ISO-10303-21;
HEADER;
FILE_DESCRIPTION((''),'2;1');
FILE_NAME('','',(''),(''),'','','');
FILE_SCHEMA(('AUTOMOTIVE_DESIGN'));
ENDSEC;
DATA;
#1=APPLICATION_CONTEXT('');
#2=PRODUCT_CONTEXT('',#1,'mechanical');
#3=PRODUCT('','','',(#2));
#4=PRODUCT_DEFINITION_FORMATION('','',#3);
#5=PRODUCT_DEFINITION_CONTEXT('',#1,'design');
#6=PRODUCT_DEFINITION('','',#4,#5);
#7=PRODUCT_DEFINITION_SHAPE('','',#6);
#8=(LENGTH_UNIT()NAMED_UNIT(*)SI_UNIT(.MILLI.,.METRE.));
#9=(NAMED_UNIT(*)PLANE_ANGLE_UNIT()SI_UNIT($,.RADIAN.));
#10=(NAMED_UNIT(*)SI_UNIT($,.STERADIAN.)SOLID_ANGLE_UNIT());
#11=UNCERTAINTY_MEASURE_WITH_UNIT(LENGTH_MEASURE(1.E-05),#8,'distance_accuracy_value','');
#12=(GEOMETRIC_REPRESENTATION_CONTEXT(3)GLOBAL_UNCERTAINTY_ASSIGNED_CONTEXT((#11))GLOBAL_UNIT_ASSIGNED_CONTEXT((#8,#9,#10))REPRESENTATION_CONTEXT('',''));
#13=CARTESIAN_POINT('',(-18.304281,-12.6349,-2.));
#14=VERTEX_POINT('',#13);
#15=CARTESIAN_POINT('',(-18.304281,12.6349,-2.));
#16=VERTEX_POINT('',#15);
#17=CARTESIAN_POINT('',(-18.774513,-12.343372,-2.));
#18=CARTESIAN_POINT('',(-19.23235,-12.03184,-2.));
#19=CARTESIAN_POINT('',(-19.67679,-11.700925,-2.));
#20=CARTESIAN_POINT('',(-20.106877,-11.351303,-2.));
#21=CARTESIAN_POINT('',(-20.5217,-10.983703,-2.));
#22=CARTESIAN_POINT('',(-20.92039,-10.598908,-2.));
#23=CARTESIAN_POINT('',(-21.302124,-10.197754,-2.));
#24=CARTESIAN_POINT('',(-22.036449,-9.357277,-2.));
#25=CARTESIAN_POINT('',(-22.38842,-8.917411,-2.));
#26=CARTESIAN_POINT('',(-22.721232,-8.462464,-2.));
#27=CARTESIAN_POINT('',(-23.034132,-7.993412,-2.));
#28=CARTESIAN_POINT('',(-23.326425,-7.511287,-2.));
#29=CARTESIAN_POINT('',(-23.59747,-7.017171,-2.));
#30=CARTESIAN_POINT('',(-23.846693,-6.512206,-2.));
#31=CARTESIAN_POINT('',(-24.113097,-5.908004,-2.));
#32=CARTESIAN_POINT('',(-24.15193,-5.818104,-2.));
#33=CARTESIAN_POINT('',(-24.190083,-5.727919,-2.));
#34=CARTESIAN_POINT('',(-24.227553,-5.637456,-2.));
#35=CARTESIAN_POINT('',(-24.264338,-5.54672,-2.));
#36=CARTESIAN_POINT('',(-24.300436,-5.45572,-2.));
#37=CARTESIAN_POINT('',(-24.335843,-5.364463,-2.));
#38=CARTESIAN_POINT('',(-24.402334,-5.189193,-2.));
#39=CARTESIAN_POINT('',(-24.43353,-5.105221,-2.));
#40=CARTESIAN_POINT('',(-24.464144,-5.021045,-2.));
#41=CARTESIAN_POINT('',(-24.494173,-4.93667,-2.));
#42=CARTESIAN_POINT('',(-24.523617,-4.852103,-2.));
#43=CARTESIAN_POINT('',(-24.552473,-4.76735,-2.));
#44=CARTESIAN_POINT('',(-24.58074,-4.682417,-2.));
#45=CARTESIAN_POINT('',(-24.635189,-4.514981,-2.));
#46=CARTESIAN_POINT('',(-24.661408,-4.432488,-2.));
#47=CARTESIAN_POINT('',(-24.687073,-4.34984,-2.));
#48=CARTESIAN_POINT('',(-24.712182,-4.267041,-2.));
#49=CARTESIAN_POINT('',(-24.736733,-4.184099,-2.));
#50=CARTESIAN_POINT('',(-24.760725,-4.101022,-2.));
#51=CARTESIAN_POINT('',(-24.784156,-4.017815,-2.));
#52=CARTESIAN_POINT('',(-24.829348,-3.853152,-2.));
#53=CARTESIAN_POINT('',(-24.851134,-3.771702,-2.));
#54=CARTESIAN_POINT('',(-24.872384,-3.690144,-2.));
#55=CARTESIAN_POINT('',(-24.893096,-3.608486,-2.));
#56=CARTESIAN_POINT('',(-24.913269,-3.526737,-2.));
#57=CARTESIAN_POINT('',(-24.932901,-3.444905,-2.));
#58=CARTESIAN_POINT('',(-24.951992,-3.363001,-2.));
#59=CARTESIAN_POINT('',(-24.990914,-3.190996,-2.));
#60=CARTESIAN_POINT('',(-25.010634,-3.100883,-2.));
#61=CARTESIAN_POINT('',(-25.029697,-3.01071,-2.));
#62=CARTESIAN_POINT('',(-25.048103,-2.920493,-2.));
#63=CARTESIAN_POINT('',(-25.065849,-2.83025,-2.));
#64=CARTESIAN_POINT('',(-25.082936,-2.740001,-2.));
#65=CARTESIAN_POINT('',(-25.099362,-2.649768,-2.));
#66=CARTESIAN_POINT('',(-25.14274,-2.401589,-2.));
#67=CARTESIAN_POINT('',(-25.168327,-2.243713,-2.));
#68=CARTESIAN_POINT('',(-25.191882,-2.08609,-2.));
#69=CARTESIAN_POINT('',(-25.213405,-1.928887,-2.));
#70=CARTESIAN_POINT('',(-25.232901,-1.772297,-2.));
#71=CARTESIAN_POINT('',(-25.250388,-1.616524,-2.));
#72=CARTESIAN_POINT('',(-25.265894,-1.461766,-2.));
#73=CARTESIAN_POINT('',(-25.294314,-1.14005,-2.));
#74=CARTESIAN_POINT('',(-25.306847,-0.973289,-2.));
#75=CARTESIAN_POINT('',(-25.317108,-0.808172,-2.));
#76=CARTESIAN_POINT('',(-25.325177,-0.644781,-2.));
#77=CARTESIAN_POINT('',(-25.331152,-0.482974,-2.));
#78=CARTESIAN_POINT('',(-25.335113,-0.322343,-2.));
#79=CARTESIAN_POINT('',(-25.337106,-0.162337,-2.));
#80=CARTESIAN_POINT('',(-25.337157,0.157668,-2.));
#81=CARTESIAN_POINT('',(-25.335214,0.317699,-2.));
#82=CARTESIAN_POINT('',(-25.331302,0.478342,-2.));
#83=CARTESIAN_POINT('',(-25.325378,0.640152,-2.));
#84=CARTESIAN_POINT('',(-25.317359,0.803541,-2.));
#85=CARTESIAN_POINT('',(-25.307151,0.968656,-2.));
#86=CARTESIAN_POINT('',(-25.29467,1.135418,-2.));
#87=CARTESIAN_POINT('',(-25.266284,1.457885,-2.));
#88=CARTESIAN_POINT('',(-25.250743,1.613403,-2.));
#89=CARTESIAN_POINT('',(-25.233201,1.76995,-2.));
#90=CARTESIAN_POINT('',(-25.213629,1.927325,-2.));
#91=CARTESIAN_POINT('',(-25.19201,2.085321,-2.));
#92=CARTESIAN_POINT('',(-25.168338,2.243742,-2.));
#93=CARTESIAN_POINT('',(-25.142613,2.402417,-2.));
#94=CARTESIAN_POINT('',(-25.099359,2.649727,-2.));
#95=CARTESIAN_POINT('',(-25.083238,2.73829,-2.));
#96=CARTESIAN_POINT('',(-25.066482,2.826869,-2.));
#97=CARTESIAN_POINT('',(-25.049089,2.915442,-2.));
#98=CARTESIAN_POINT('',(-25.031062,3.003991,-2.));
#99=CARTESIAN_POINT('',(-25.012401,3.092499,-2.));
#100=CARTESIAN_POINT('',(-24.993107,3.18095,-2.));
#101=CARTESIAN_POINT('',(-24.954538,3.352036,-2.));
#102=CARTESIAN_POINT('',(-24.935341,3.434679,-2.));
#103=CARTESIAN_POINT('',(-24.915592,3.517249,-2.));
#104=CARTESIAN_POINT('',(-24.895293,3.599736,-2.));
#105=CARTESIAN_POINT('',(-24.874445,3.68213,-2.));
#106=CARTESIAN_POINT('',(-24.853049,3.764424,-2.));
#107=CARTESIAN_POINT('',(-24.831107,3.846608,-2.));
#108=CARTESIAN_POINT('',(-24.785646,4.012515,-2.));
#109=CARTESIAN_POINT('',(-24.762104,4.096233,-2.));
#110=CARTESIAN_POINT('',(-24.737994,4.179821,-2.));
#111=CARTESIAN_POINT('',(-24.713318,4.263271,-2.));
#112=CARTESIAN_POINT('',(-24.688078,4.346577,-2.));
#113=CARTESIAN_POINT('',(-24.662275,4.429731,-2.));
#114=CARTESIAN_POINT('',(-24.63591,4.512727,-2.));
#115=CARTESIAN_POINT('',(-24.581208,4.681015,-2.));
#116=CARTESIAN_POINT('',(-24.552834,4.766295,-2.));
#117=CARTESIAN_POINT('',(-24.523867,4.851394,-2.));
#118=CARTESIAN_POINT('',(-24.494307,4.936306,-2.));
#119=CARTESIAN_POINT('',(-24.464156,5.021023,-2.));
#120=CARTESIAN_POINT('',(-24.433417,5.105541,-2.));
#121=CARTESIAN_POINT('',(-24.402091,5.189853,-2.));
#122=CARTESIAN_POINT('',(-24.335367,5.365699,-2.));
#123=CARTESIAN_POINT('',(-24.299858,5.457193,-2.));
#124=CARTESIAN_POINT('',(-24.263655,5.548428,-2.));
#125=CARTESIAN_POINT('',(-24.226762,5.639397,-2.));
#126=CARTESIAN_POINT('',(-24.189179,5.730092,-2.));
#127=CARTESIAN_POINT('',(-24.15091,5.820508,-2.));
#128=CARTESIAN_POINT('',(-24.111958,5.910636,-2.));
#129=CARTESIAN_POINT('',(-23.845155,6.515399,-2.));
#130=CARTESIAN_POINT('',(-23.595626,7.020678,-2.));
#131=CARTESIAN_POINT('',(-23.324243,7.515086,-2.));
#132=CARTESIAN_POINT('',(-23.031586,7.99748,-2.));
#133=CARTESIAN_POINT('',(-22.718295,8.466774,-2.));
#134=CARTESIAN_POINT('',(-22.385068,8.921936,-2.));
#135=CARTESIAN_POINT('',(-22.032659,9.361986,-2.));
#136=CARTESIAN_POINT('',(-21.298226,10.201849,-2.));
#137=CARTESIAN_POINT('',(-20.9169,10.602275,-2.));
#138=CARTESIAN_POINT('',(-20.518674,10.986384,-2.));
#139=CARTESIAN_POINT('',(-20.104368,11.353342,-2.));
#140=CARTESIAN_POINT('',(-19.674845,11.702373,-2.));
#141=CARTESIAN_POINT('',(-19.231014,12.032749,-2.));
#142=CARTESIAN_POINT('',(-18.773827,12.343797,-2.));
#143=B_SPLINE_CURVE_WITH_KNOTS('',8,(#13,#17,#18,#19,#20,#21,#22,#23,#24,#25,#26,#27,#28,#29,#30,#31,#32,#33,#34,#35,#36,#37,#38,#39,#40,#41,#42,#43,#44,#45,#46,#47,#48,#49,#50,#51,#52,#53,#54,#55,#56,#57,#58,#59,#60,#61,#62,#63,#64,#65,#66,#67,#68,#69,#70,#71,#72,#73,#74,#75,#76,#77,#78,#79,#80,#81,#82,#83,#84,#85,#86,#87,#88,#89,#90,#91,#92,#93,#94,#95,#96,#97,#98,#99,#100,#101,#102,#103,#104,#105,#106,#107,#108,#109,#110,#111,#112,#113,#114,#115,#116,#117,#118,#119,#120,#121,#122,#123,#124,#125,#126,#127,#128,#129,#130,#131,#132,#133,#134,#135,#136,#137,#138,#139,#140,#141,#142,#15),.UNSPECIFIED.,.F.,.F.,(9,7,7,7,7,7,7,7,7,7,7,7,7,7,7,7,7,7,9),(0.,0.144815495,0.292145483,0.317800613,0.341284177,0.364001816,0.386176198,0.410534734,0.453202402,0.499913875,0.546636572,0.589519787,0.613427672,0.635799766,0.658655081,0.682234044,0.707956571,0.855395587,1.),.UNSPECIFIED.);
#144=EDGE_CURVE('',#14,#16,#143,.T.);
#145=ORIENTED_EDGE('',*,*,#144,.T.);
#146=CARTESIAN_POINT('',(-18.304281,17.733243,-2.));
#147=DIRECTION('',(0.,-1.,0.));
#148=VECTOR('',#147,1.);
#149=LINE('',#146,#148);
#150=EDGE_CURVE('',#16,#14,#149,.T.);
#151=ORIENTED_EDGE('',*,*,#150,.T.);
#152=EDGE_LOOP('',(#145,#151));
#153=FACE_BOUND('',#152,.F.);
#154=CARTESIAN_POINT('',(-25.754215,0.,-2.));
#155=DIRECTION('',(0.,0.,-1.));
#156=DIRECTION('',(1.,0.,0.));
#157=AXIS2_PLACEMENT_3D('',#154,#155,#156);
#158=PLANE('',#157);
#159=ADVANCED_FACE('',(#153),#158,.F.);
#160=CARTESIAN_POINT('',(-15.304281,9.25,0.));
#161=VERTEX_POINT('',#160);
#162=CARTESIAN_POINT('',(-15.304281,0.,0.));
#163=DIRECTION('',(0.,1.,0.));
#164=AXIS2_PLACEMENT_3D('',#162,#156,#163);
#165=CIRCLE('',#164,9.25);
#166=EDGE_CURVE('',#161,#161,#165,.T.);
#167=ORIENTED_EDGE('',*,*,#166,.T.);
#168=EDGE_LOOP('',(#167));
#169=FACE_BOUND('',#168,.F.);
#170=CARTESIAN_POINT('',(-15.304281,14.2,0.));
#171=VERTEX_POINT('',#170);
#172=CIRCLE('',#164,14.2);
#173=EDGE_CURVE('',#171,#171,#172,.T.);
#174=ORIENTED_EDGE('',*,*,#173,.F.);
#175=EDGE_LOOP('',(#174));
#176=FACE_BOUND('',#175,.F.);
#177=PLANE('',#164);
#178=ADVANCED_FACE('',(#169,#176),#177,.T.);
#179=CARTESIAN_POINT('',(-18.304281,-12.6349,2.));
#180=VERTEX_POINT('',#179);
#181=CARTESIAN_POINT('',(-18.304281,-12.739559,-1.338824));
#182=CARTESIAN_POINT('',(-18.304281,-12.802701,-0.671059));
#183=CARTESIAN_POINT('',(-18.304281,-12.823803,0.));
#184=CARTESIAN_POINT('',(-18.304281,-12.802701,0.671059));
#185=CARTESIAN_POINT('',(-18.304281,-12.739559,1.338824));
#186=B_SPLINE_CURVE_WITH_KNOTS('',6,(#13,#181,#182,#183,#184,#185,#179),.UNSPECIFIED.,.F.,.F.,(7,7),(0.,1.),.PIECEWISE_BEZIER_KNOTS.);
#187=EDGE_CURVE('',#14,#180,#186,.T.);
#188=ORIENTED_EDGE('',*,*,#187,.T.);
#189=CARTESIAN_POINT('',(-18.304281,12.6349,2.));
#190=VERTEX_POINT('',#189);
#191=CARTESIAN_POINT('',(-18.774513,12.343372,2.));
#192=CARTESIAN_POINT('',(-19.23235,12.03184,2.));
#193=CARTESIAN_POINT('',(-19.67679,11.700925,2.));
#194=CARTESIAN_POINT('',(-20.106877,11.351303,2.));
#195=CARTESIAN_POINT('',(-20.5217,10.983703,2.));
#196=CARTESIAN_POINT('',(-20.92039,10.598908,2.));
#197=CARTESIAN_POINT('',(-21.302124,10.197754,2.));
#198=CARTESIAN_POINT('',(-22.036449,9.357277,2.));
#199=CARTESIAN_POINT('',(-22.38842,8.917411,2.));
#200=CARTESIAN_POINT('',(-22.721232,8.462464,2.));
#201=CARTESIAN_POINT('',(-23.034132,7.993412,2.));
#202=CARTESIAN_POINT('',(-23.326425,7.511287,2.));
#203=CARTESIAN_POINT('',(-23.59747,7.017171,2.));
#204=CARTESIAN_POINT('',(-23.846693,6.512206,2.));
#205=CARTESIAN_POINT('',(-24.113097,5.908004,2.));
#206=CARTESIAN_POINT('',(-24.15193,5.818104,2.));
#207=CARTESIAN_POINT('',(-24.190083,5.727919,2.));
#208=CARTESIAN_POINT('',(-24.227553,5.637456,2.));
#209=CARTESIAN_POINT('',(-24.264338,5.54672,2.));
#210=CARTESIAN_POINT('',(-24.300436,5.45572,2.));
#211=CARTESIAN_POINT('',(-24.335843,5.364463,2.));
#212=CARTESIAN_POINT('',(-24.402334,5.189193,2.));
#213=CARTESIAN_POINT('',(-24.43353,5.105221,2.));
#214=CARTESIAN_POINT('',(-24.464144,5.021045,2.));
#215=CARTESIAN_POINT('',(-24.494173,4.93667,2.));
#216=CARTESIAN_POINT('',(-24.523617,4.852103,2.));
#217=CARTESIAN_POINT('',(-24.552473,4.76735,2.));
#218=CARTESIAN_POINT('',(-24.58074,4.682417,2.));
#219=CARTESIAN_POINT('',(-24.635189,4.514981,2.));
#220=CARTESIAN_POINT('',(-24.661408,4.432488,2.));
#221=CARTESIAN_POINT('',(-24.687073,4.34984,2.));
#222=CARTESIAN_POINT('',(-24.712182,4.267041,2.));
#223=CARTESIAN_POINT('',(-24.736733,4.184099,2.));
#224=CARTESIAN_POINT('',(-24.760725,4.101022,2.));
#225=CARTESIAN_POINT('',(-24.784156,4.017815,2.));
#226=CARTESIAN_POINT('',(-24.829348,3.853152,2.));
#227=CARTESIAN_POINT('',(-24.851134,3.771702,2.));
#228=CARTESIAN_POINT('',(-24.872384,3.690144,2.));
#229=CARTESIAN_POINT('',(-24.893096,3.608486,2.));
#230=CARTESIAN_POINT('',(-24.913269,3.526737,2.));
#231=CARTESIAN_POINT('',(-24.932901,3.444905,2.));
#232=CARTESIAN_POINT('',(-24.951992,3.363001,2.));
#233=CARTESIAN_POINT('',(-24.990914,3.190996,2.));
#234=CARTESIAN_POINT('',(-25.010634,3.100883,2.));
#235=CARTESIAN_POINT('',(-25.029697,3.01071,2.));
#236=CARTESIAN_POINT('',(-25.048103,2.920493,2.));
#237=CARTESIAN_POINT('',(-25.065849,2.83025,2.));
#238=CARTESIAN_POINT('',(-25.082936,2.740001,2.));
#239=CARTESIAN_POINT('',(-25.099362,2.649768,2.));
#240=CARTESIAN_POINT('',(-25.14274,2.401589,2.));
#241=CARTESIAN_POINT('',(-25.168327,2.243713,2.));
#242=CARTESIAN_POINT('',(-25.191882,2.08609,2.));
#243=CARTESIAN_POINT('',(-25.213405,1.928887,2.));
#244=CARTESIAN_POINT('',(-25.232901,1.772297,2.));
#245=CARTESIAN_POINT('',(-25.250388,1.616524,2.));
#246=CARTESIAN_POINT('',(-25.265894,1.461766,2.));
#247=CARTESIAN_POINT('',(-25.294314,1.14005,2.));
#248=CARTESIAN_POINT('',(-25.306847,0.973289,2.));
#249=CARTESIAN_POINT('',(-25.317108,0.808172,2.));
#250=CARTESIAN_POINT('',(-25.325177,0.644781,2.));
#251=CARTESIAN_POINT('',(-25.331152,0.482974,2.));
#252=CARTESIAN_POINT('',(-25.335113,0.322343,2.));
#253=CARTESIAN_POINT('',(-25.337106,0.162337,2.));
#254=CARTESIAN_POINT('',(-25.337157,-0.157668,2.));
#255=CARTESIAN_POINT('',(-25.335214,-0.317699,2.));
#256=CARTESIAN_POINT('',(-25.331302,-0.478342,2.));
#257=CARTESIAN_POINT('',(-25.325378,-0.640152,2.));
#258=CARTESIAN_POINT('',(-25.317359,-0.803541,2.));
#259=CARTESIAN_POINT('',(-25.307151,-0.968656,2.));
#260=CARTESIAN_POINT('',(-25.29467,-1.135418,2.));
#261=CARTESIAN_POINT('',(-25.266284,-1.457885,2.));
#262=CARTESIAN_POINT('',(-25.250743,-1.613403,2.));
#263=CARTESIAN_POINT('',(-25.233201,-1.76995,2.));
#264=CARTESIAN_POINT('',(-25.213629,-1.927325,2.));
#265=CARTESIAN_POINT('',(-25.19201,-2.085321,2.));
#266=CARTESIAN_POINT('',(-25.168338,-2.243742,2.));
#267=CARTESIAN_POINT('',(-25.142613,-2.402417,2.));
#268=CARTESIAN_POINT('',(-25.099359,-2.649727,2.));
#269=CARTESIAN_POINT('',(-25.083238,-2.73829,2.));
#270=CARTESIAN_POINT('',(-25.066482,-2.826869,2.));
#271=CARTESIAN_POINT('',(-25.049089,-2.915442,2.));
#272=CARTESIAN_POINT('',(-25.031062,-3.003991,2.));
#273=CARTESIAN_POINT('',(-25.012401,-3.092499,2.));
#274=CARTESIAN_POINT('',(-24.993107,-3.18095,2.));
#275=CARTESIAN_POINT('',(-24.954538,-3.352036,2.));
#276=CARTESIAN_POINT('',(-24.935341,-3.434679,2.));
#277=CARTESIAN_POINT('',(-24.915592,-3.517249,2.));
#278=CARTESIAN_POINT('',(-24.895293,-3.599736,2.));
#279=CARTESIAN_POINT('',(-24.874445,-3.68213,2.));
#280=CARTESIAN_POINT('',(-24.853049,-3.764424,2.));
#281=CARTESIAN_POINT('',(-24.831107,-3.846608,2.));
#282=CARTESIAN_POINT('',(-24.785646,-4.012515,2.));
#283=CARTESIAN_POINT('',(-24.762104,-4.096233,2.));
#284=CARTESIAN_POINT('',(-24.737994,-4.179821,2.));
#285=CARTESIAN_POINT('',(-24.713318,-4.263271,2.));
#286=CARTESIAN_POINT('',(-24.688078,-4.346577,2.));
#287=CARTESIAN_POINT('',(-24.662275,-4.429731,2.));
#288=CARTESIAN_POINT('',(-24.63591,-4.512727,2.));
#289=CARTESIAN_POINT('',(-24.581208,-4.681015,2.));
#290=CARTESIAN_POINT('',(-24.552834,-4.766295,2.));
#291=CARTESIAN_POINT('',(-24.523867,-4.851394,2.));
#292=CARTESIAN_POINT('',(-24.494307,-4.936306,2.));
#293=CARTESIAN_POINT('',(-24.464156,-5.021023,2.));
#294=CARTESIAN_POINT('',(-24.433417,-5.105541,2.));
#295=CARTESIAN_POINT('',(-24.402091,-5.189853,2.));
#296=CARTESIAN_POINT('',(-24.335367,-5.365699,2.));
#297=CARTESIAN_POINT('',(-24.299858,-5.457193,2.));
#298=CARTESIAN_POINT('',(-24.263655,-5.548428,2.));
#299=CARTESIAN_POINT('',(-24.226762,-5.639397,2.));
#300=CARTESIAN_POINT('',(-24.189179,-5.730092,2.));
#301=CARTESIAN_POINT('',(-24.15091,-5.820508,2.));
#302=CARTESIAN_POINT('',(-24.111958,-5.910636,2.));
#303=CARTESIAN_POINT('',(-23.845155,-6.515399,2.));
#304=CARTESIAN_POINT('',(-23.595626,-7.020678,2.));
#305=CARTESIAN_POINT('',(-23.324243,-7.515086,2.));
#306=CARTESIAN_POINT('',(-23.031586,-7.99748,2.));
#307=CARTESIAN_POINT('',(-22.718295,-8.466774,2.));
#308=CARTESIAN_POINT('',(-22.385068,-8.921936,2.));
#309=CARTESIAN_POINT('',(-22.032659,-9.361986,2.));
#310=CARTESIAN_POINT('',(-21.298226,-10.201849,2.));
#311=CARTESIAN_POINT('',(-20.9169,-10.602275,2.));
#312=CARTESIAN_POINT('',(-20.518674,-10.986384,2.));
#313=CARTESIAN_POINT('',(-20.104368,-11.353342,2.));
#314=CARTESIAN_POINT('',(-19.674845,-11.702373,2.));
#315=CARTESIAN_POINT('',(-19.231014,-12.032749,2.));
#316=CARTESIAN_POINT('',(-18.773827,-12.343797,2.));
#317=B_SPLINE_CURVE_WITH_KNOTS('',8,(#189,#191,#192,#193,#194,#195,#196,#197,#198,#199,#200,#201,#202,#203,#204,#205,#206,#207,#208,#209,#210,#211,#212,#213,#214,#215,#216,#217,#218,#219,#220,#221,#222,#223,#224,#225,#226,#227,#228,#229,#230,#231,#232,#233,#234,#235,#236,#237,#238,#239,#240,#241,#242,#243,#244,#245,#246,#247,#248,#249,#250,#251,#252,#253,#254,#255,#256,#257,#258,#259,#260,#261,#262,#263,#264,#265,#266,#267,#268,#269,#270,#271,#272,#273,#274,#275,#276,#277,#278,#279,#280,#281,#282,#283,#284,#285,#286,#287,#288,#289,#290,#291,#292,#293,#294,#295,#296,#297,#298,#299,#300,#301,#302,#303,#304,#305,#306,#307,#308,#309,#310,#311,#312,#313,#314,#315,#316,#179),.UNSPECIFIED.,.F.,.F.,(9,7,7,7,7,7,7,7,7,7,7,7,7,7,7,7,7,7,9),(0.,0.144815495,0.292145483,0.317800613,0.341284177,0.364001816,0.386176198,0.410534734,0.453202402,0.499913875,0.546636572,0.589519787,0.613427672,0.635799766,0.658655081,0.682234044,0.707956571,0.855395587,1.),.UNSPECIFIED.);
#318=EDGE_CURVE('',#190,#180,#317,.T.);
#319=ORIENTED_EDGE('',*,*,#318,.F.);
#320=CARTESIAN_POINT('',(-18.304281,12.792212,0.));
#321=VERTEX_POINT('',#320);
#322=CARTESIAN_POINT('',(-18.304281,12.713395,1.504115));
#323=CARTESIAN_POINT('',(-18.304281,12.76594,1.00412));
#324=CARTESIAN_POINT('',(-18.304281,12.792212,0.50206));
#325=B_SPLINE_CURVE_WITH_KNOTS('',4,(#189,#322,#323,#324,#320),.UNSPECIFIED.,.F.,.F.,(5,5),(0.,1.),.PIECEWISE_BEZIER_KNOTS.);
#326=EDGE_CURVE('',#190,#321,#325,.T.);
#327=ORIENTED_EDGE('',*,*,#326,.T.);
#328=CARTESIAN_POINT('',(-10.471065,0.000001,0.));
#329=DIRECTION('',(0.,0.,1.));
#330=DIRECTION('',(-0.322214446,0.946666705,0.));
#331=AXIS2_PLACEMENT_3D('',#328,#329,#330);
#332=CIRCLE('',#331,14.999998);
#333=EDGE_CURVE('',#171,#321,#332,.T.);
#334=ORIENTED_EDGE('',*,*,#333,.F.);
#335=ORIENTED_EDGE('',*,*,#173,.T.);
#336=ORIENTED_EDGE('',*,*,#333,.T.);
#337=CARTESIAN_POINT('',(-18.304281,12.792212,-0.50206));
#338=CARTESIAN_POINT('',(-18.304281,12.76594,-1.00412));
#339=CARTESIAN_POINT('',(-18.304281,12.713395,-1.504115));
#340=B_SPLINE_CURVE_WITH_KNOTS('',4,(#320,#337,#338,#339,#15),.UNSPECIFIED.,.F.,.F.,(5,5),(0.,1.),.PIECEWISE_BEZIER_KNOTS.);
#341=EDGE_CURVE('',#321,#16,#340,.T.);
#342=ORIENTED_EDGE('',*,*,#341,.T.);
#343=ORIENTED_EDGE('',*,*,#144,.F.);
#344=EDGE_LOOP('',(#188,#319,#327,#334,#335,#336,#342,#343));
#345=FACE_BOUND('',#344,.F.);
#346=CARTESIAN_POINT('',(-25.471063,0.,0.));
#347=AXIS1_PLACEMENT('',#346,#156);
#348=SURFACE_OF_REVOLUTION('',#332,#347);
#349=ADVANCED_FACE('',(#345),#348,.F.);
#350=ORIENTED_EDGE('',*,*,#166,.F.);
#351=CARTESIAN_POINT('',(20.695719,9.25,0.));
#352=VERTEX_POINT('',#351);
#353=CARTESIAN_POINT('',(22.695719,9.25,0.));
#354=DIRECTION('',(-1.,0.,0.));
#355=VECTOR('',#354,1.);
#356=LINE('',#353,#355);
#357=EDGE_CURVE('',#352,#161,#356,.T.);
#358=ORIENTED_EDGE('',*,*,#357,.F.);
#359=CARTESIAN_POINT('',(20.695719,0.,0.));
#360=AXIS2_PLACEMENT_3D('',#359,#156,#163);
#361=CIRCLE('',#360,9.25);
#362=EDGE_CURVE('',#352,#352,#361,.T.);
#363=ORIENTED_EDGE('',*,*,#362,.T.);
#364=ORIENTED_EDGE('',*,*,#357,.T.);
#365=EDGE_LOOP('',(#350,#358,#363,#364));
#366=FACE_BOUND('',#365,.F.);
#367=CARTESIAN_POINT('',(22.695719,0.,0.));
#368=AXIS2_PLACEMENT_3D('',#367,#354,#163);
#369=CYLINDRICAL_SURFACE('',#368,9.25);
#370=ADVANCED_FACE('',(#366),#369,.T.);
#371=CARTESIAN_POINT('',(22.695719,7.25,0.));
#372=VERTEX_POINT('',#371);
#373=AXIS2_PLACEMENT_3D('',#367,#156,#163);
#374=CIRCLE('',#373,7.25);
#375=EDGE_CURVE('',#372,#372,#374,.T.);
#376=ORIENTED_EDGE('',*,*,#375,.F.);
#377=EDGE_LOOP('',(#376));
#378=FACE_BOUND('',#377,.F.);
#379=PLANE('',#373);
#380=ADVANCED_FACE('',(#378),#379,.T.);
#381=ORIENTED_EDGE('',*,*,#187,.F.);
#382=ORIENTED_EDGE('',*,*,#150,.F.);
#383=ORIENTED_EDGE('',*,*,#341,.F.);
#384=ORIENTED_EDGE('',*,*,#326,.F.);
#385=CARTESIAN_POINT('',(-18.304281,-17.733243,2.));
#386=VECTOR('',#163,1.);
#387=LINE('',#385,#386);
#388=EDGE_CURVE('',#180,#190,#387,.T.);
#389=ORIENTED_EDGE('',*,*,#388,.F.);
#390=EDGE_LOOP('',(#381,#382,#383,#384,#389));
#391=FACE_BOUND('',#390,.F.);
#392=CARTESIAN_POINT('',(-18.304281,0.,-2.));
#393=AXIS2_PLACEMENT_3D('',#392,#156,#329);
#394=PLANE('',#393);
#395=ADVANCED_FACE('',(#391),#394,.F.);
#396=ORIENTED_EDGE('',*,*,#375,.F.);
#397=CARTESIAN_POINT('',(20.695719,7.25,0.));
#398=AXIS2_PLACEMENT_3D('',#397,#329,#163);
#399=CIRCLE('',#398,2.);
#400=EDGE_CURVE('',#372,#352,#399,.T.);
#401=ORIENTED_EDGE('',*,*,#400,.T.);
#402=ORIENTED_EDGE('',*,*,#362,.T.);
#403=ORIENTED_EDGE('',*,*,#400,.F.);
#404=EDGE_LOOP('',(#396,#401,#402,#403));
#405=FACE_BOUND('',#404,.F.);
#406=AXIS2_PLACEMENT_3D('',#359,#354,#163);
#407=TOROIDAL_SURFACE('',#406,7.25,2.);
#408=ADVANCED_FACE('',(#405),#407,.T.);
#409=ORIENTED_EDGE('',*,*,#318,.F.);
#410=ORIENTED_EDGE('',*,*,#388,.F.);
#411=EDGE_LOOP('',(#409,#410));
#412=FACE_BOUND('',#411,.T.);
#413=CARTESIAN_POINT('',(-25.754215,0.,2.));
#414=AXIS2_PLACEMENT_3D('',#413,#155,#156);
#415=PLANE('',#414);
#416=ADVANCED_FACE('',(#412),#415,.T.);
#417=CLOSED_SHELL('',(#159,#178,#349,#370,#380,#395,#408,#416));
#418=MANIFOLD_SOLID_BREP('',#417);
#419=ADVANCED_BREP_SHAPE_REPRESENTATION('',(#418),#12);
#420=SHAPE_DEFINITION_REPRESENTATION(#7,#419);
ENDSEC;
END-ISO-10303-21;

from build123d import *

# Parameters (mm, degrees)
F2_W     = 7.449934
F2_H     = 4
F4_DEPTH = 17.733243
F3_R     = 2


with BuildPart() as f1:
    # F0 (on Top) → F1 (revolve)
    with BuildSketch(Plane.XY):
        with BuildLine():
            Line((-25.471063, 0), (22.695719, 0))
            Line((22.695719, 0), (22.695719, 9.25))
            Line((22.695719, 9.25), (-15.304281, 9.25))
            Line((-15.304281, 9.25), (-15.304281, 14.2))
            ThreePointArc((-15.304281, 14.2), (-22.667339, 8.732174), (-25.471063, 0))
        make_face()
    revolve(axis=Axis((-25.471063, 0, 0), (1, 0, 0)))

    # F2 (on Front) → F4 (cut, symmetric)
    with BuildSketch(Plane.XZ):
        with Locations((-22.029248, 0)):
            Rectangle(F2_W, F2_H)
    extrude(amount=F4_DEPTH, both=True, mode=Mode.SUBTRACT)

    # F3
    f3_edges = [f1.edges().sort_by_distance(p)[0] for p in [
        (22.695719, -9.25, 0),
    ]]
    fillet(f3_edges, radius=F3_R)


solid = f1.part
